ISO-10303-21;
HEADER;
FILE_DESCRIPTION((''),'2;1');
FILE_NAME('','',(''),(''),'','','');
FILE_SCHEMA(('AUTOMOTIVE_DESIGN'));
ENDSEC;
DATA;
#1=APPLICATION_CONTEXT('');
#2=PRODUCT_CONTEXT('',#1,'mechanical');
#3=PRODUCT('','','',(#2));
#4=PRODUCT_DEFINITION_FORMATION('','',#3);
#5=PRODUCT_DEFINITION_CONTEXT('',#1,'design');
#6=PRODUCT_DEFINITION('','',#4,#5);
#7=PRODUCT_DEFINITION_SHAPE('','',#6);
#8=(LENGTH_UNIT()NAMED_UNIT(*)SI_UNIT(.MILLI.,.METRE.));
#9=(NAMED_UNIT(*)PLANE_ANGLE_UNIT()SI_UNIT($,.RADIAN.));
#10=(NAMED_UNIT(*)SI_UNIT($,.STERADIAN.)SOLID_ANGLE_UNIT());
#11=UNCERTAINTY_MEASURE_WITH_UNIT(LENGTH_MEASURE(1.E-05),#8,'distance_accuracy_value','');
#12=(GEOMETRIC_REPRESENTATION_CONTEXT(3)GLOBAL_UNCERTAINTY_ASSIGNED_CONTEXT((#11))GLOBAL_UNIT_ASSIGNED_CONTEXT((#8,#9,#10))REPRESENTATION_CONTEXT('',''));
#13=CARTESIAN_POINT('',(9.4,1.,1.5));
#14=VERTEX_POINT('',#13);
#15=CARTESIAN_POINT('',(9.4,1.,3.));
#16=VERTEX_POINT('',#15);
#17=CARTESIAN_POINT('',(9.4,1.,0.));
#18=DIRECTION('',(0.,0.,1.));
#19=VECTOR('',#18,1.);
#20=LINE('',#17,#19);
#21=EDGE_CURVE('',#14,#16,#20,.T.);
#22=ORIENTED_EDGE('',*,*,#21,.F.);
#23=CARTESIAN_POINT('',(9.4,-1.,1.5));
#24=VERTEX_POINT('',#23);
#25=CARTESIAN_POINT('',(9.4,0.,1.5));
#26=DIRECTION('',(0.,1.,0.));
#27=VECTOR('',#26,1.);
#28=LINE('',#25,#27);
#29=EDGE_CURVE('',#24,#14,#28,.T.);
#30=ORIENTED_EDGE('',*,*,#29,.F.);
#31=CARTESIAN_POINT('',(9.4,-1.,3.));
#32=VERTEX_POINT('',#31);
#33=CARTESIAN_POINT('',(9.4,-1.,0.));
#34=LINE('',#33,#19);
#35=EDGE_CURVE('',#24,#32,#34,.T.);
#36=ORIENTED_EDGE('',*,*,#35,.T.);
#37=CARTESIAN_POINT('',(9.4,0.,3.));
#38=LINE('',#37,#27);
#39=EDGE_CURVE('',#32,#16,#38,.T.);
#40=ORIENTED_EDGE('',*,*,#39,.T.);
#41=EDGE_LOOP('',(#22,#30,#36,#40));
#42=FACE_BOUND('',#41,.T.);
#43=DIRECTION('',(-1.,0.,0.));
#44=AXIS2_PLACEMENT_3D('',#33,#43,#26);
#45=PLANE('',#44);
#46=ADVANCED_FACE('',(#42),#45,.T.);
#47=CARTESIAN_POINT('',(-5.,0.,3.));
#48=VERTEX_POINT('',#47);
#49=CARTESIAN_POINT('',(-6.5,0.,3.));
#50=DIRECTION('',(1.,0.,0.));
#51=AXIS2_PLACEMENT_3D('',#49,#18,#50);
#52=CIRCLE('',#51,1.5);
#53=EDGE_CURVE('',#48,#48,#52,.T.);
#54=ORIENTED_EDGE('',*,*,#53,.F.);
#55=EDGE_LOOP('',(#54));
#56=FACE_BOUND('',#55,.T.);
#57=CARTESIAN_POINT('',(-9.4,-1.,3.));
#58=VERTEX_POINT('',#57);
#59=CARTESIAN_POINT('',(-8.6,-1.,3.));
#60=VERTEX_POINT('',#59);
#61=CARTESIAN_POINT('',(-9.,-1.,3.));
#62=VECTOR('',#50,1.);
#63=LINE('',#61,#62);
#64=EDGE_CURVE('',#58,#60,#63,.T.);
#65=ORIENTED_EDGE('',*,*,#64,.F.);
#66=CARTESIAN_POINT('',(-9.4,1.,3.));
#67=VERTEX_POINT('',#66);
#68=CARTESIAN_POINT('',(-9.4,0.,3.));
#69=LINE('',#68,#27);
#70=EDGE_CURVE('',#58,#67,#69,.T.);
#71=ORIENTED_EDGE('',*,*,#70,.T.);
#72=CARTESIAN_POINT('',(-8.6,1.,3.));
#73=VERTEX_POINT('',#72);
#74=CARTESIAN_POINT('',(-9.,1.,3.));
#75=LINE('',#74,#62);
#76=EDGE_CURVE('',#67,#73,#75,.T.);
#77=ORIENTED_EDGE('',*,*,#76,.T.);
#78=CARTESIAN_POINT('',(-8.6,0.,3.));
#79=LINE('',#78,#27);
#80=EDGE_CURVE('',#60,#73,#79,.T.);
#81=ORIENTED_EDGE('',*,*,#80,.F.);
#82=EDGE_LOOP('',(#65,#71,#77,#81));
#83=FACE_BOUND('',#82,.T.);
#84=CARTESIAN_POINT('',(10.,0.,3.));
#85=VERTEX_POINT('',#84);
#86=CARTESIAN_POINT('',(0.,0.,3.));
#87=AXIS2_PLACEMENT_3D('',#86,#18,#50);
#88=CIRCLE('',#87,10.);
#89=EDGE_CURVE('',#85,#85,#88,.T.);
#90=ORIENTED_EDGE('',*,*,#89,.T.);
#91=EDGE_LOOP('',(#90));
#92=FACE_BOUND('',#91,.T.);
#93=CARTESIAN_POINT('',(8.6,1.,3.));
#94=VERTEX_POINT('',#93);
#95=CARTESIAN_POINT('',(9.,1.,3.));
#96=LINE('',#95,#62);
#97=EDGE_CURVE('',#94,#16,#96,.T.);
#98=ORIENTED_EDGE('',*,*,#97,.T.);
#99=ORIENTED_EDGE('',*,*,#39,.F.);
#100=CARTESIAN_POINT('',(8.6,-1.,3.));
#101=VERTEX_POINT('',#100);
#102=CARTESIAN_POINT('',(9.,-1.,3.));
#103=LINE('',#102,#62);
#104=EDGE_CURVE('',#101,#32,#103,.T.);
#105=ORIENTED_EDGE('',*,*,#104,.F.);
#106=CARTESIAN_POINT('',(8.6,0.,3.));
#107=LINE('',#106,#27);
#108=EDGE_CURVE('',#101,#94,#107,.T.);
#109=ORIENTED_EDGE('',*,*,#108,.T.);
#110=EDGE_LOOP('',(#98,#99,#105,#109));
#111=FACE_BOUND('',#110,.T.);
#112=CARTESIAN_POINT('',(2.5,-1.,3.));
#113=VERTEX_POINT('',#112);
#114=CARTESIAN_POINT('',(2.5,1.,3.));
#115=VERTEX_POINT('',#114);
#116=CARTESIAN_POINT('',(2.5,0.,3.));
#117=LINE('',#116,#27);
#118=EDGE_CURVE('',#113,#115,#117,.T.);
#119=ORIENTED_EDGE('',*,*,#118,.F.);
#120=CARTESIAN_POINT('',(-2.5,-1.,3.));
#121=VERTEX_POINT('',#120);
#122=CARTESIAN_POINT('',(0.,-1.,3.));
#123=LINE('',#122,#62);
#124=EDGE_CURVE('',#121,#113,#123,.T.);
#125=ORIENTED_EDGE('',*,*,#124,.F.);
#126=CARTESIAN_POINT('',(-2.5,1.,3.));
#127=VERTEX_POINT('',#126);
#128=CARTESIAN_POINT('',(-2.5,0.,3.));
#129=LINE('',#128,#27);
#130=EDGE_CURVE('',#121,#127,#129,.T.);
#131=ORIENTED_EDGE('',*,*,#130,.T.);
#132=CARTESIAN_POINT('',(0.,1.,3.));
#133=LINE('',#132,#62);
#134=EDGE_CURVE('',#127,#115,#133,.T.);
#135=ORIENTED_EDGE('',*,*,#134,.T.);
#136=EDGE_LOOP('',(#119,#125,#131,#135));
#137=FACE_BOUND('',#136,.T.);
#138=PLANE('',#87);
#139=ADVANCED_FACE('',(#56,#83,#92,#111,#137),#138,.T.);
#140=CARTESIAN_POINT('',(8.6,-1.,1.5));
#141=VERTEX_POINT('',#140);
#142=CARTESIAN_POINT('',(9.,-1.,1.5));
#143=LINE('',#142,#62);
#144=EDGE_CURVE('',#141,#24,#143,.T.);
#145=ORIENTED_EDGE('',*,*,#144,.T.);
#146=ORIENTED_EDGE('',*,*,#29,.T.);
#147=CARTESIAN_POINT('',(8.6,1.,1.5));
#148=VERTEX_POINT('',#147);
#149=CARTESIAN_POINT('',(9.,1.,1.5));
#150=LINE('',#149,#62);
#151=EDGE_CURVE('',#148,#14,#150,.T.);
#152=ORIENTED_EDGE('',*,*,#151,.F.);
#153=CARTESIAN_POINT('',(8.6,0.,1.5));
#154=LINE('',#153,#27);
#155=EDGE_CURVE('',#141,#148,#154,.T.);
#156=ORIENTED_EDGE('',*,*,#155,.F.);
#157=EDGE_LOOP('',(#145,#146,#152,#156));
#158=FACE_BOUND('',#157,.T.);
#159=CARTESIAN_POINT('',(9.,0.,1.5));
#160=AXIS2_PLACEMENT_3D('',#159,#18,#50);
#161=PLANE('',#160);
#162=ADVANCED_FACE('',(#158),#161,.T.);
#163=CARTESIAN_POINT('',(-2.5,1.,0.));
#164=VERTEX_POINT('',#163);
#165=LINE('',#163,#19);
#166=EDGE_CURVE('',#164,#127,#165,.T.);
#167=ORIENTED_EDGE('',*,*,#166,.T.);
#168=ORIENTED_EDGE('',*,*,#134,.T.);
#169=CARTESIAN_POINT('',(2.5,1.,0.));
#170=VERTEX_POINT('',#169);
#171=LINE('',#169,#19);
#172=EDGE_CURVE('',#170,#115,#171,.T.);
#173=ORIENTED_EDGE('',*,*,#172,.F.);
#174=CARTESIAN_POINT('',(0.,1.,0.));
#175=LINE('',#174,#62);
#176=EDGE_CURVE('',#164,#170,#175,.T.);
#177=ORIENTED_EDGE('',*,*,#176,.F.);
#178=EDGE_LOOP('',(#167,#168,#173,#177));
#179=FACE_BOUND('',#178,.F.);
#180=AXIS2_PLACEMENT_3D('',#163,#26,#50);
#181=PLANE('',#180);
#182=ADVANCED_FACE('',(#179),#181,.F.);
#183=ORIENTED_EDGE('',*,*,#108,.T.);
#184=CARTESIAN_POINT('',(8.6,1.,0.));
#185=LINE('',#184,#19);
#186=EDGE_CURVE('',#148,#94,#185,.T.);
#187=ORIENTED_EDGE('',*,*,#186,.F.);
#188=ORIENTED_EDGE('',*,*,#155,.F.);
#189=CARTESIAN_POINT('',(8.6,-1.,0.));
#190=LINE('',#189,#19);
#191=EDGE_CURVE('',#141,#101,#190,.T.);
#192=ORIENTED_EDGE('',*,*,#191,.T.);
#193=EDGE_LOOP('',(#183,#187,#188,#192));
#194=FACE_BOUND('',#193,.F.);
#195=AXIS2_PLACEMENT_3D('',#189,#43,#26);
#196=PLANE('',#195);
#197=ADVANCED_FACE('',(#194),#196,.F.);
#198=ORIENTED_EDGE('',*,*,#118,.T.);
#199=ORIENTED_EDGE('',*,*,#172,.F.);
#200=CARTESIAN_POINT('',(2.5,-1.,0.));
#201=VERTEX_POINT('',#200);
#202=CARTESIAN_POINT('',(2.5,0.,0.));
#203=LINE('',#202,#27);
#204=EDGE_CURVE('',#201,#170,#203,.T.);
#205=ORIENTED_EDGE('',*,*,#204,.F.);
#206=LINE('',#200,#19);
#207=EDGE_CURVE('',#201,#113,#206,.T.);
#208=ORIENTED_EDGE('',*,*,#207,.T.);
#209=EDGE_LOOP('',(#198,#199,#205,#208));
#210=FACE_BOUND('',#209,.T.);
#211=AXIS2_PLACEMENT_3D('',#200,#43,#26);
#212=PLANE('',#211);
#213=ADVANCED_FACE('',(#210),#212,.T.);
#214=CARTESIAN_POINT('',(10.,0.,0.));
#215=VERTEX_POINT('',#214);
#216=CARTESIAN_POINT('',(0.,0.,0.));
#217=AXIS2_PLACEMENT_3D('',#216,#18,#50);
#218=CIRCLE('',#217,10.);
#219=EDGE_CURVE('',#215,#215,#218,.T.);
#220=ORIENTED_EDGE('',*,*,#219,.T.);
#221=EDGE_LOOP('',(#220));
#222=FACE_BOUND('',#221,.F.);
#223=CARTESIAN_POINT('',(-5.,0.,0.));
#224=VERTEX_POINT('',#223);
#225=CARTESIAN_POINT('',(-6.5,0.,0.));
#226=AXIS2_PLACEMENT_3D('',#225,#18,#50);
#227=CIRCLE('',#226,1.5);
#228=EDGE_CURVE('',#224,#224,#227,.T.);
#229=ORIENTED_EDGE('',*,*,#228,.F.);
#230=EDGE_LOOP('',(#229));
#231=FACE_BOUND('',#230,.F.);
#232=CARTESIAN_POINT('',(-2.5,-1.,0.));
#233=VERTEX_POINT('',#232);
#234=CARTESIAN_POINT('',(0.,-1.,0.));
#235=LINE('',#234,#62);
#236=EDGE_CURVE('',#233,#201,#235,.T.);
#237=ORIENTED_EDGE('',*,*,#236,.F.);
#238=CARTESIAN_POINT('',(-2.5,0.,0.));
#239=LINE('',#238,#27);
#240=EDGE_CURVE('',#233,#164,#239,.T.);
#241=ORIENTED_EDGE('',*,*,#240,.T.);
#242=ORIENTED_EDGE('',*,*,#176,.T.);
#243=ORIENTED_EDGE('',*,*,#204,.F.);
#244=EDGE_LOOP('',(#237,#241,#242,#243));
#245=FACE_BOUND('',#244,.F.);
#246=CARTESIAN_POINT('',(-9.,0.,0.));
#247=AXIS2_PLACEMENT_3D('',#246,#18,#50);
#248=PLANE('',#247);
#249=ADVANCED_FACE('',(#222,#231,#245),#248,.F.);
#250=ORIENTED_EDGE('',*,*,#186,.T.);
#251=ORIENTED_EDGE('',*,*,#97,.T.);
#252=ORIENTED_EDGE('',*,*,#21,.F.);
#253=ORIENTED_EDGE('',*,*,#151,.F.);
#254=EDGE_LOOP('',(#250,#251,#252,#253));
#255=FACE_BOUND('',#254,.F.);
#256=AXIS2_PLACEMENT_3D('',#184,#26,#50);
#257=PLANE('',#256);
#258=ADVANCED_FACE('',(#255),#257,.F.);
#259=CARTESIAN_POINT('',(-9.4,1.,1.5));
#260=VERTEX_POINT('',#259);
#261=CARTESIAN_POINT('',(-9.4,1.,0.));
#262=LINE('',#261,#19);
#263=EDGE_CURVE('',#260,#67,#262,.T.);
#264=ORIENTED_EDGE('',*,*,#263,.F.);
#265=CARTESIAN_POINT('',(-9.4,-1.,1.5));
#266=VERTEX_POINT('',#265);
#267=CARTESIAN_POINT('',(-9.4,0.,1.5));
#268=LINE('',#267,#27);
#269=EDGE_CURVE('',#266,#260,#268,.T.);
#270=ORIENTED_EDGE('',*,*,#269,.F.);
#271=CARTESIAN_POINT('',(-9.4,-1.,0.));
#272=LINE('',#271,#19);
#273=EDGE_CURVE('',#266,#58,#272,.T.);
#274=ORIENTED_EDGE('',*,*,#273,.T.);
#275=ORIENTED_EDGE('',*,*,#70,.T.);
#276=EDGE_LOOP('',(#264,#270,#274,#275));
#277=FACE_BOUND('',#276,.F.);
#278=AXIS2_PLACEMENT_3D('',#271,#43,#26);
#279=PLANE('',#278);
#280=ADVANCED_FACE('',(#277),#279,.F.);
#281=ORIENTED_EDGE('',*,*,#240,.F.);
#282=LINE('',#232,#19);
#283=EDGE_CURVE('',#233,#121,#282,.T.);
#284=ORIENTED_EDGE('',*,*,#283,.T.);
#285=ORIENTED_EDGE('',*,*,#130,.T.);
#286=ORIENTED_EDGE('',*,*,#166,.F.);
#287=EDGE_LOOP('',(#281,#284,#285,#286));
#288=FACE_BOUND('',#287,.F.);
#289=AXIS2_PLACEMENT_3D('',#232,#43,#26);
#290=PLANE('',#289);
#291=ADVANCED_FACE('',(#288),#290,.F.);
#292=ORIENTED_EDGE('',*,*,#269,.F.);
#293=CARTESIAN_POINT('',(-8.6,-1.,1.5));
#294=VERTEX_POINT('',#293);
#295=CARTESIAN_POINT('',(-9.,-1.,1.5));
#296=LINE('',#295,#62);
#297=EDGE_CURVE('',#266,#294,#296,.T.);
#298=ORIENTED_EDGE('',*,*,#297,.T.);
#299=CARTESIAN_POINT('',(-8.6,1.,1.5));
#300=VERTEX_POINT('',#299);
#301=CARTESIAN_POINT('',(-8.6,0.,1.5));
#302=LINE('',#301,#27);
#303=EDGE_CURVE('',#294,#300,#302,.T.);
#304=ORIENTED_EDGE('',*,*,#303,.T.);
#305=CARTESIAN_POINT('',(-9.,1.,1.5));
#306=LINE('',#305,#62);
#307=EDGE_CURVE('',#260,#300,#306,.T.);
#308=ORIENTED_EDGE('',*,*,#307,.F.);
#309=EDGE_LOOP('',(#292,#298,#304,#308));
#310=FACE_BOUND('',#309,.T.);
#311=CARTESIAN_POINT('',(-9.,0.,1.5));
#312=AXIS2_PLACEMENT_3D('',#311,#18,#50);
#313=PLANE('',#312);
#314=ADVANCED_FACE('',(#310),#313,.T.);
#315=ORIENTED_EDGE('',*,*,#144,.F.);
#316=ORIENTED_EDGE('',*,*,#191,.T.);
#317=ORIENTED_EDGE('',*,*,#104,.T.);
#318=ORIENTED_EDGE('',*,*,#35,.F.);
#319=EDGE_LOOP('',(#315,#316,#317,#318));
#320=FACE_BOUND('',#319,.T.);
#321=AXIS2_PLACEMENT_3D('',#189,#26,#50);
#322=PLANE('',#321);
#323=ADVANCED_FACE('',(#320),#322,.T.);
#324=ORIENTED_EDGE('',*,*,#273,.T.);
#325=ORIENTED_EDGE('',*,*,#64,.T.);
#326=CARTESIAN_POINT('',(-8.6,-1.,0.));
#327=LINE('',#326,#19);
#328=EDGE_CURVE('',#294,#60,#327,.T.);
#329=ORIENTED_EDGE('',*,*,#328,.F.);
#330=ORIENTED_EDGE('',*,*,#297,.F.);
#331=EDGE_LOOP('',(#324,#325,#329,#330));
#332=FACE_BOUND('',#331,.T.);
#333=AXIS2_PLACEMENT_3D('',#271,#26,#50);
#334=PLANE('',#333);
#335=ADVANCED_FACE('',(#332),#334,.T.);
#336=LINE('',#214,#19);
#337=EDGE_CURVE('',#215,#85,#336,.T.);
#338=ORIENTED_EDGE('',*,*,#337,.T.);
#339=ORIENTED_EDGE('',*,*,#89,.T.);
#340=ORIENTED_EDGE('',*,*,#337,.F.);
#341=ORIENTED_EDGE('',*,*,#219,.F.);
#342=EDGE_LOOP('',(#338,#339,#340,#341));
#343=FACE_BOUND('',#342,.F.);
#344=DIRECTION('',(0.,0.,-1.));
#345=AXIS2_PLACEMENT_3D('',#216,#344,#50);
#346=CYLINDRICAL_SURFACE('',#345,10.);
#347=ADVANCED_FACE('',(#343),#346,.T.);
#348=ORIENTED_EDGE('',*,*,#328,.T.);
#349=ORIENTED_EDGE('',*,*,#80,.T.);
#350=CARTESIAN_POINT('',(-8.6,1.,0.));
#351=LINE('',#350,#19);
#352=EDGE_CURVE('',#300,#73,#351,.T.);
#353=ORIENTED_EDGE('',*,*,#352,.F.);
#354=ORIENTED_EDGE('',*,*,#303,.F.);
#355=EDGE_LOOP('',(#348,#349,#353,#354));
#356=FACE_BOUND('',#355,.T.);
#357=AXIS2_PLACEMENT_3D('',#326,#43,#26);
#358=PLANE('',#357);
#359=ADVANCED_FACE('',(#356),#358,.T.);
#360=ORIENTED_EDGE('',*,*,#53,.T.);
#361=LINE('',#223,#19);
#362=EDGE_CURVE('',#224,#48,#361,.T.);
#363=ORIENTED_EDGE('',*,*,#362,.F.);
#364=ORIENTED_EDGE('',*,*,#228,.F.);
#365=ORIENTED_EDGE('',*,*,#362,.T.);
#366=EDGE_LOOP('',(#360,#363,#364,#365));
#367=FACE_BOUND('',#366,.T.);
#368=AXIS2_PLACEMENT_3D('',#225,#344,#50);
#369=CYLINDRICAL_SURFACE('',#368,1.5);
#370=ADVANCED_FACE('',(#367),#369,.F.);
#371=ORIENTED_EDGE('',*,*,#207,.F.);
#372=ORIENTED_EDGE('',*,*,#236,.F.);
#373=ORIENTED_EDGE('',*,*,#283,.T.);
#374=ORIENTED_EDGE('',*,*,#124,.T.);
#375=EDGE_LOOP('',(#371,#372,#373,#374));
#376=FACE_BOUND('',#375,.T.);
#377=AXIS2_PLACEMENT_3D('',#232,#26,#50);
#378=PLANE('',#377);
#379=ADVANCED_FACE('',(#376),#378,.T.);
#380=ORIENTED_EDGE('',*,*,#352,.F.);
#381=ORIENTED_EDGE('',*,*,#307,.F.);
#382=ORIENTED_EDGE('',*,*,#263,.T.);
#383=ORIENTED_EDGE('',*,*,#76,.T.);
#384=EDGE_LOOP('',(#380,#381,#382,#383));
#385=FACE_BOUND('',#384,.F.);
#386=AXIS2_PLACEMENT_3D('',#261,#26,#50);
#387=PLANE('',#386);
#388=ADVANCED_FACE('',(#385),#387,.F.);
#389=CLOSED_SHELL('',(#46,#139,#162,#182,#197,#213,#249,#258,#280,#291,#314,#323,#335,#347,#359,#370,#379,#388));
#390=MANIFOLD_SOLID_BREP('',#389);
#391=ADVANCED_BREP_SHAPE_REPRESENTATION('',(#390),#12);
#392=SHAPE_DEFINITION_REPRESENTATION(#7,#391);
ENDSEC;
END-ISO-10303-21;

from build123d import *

# Parameters (mm, degrees)
F0_R     = 10
F0_W     = 0.8
F0_H     = 2
F0_R_2   = 1.5
F0_W_2   = 5
F1_DEPTH = 3
F2_DEPTH = 1.5


with BuildPart() as f1:
    # F0 (on Top) → F1 (new body)
    with BuildSketch(Plane.XY):
        Circle(F0_R)
        with Locations((-9, 0)):
            Rectangle(F0_W, F0_H, mode=Mode.SUBTRACT)
        with Locations((-6.5, 0)):
            Circle(F0_R_2, mode=Mode.SUBTRACT)
        Rectangle(F0_W_2, F0_H, mode=Mode.SUBTRACT)
        with Locations((9, 0)):
            Rectangle(F0_W, F0_H, mode=Mode.SUBTRACT)
    extrude(amount=F1_DEPTH)

    # F0 (on Top) → F2 (join)
    with BuildSketch(Plane.XY):
        with Locations((-9, 0)):
            Rectangle(F0_W, F0_H)
        with Locations((9, 0)):
            Rectangle(F0_W, F0_H)
    extrude(amount=F2_DEPTH)


solid = f1.part
